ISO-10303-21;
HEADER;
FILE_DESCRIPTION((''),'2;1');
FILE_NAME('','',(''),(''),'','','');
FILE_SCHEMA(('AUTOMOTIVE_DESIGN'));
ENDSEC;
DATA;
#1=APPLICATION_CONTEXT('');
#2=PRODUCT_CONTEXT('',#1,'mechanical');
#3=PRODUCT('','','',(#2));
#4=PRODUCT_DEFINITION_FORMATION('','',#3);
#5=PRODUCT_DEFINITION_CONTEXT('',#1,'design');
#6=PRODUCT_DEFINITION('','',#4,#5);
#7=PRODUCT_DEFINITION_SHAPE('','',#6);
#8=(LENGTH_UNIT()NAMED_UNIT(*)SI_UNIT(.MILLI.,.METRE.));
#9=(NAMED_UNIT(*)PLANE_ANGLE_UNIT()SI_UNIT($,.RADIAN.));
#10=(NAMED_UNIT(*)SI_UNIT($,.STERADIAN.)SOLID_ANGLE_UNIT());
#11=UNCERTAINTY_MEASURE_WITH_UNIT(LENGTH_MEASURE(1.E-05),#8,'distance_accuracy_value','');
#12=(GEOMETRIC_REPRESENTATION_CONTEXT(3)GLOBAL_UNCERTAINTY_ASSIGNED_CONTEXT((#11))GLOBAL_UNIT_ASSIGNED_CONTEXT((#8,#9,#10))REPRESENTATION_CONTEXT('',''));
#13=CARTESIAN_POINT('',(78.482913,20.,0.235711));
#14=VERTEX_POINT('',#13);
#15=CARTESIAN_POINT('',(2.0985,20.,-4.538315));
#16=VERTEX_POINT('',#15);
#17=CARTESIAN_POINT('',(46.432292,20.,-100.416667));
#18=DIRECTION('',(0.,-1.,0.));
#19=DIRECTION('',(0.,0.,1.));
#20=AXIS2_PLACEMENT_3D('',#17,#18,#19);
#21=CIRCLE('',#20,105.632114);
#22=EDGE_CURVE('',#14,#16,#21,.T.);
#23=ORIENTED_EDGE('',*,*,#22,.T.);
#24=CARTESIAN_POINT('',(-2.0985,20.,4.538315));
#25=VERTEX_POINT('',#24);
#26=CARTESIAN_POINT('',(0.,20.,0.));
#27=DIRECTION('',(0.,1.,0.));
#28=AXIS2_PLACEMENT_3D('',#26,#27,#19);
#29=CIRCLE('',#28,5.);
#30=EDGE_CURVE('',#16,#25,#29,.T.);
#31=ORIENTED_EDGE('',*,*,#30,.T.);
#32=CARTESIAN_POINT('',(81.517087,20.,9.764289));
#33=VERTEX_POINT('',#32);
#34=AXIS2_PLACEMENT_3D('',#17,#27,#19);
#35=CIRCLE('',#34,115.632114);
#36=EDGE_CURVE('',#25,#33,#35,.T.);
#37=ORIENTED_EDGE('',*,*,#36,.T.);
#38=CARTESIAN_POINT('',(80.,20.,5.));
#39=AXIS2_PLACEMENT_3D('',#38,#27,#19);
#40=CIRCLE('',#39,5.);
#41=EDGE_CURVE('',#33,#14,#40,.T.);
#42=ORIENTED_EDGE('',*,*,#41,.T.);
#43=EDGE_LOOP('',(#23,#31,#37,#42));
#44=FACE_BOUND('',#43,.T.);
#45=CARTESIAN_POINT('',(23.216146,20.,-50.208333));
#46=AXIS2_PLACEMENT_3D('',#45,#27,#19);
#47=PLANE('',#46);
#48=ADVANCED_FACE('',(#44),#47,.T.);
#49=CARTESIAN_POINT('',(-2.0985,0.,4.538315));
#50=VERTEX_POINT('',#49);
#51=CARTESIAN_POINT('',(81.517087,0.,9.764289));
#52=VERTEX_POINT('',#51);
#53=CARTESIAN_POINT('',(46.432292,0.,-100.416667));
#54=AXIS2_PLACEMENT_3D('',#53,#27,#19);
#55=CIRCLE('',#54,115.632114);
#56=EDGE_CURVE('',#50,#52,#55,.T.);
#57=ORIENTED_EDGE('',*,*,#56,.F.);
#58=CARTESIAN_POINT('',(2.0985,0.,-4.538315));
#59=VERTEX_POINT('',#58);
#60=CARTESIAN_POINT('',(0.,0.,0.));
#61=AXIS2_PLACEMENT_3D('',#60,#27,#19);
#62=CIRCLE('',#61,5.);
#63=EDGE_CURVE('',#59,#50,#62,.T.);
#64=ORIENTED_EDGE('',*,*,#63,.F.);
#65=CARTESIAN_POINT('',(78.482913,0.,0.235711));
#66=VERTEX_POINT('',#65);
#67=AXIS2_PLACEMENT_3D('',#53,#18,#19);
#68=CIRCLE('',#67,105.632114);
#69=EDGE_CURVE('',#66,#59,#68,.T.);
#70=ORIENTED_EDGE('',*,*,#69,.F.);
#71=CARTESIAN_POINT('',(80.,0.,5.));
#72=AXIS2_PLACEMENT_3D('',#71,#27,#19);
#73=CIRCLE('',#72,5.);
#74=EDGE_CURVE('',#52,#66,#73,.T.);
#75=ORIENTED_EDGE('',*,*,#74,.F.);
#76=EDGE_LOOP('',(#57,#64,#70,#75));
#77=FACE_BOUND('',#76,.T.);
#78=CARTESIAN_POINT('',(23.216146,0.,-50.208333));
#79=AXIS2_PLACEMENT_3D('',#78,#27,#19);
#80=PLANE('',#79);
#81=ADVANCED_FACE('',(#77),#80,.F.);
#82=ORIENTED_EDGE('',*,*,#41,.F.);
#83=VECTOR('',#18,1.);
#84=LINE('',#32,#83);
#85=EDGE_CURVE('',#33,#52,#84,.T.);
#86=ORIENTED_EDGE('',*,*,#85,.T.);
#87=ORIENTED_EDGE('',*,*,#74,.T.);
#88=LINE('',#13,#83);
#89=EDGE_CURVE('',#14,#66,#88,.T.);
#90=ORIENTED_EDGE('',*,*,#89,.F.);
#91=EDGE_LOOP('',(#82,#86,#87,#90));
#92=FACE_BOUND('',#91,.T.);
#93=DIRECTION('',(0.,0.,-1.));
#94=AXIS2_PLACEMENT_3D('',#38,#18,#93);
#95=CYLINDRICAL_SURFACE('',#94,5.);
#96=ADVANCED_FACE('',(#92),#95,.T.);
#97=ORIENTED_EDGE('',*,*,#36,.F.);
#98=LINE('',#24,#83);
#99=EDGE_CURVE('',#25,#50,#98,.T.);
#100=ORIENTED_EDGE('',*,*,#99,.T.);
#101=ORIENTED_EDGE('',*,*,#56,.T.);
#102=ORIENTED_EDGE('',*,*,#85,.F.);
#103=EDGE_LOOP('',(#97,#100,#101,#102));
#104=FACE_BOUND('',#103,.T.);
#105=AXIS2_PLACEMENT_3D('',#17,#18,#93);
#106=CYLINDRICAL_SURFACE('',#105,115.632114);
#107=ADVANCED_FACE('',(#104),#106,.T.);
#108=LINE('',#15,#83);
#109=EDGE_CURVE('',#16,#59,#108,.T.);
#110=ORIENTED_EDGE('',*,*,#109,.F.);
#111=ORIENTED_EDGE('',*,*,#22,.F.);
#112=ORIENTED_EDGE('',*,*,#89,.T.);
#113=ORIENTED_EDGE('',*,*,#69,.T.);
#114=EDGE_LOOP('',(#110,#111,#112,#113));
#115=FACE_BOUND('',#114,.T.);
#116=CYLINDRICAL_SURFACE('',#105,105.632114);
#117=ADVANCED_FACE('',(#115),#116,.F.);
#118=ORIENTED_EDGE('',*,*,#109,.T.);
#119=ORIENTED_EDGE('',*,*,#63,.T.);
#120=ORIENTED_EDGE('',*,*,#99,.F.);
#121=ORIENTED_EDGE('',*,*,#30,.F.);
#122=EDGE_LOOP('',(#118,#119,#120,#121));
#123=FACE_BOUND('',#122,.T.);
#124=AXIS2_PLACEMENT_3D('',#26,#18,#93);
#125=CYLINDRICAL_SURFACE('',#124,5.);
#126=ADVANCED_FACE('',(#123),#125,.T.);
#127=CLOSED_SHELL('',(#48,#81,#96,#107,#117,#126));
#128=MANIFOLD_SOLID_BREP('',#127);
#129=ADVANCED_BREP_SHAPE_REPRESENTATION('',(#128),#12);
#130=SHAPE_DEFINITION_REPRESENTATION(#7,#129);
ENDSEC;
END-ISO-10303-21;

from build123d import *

# Parameters (mm, degrees)
BOSS_EXTRUDE1_DEPTH = 20


with BuildPart() as part:
    # Sketch1 → Boss-Extrude1 (new body)
    with BuildSketch(Plane(origin=(0, 0, 0), x_dir=(1, 0, 0), z_dir=(0, 1, 0))):
        with BuildLine():
            ThreePointArc((-2.098499702, -4.538314555), (39.219358569, -14.990262892), (81.517086997, -9.764288724))
            ThreePointArc((81.517086997, -9.764288724), (84.764288724, -3.482913003), (78.482913003, -0.235711276))
            ThreePointArc((78.482913003, -0.235711276), (39.843141431, -5.009737108), (2.098499702, 4.538314555))
            ThreePointArc((2.098499702, 4.538314555), (-4.538314555, 2.098499702), (-2.098499702, -4.538314555))
        make_face()
    extrude(amount=BOSS_EXTRUDE1_DEPTH)


solid = part.part
